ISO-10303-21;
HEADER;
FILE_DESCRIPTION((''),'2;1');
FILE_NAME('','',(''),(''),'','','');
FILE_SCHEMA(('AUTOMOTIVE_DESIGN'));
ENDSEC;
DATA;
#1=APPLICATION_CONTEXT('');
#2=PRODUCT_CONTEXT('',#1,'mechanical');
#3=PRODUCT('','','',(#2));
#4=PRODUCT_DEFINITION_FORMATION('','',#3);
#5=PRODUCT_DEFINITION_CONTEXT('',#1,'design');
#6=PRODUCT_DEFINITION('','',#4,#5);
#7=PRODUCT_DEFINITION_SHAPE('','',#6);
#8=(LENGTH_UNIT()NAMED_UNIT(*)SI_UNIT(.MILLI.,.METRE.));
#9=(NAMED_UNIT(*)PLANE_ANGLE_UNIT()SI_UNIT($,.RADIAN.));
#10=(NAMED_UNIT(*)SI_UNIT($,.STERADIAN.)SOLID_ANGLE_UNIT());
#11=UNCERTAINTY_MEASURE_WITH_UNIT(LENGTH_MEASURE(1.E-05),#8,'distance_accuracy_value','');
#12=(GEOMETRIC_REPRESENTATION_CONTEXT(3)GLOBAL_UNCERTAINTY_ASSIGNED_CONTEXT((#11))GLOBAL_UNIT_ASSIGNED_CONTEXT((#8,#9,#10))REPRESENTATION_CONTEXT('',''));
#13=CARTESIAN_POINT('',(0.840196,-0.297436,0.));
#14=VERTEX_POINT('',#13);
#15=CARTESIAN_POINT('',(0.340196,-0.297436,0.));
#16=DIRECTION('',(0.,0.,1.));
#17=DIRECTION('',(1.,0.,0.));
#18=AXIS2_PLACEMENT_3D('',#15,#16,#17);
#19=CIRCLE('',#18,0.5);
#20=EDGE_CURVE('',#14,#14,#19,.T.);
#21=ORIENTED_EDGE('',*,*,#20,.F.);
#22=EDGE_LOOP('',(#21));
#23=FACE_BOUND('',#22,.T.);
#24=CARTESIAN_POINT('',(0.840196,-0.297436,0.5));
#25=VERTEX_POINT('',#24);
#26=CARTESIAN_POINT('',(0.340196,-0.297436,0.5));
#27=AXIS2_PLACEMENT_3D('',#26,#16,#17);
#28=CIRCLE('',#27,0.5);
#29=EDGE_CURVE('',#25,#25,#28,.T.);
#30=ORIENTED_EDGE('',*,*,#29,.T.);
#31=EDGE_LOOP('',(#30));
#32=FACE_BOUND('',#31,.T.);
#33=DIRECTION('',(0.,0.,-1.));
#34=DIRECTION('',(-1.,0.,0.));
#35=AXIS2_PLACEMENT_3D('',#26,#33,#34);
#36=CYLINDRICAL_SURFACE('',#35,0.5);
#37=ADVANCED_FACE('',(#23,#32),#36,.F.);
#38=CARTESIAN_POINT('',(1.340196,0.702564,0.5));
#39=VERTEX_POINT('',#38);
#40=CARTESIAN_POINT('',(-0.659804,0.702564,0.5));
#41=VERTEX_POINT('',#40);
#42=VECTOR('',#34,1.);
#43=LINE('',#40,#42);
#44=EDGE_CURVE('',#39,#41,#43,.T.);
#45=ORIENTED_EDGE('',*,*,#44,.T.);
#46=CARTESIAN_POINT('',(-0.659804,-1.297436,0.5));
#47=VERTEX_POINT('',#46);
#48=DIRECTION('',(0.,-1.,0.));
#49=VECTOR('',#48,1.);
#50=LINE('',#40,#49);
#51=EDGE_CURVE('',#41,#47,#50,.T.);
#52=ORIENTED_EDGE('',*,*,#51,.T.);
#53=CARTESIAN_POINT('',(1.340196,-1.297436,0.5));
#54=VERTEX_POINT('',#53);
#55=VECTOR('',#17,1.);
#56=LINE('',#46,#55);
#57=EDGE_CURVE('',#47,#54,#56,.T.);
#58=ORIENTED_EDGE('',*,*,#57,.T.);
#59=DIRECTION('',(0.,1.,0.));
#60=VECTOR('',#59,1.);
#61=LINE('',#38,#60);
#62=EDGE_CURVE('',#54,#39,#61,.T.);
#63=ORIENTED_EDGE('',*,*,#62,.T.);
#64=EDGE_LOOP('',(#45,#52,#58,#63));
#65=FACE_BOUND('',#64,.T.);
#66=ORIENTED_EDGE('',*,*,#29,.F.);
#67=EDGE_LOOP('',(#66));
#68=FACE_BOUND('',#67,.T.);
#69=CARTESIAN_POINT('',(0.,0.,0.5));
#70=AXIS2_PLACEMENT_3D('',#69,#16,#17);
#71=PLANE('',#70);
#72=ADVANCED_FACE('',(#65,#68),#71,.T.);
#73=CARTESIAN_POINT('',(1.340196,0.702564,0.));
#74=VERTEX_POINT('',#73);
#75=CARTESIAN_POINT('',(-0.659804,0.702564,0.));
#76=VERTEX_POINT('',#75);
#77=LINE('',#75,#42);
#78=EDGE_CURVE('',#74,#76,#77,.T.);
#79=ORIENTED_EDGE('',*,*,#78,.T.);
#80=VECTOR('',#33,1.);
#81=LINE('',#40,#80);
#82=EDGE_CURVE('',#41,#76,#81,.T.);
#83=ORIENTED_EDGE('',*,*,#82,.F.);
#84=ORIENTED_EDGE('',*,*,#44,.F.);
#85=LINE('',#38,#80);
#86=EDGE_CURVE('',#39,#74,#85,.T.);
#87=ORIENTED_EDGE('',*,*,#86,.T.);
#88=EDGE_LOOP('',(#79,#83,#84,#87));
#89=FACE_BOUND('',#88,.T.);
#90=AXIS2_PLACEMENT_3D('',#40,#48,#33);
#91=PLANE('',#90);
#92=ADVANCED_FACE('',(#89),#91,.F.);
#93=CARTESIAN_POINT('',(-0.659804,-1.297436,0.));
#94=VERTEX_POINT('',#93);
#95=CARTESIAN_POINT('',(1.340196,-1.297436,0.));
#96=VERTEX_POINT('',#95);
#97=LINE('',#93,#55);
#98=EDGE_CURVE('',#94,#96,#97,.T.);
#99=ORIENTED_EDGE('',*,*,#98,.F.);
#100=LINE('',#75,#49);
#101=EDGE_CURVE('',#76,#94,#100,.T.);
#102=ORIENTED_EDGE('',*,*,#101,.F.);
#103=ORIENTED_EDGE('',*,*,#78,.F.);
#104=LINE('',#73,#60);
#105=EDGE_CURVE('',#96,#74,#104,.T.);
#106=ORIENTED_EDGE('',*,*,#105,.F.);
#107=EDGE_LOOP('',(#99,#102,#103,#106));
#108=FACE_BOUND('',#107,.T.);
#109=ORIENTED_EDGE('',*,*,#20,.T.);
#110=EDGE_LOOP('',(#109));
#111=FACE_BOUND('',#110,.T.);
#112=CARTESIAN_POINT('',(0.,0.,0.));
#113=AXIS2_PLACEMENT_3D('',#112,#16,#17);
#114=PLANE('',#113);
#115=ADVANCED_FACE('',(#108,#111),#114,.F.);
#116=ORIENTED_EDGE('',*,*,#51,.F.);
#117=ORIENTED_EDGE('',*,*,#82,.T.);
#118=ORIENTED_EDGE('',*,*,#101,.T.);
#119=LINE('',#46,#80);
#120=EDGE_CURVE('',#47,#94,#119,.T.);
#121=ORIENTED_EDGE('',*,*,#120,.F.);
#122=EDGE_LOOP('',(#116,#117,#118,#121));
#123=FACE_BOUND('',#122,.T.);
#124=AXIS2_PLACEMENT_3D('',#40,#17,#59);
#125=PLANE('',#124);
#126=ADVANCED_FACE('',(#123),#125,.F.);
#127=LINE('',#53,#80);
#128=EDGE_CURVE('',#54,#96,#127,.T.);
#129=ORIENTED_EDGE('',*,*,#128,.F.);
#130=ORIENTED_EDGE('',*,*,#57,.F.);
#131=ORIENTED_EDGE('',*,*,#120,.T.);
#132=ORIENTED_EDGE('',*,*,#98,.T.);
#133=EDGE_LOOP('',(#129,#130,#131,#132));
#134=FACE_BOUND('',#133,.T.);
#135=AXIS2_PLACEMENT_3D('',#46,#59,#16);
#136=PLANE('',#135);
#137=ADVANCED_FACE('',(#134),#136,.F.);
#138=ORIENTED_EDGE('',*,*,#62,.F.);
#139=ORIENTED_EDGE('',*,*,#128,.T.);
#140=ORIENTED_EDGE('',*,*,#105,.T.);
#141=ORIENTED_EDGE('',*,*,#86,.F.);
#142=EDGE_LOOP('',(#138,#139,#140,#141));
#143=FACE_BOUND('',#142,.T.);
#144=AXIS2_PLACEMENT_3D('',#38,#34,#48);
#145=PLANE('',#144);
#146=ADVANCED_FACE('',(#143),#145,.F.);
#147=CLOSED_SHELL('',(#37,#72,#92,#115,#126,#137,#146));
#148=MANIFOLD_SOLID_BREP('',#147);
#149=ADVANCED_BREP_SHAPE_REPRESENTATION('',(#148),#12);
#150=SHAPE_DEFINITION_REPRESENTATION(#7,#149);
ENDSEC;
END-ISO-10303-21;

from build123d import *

# Parameters (mm, degrees)
ESQUISSE1_W        = 2
ESQUISSE1_H        = 2
ESQUISSE1_R        = 0.5
BOSS_EXTRU_1_DEPTH = 0.5


with BuildPart() as part:
    # Esquisse1 → Boss.-Extru.1 (new body)
    with BuildSketch(Plane.XY):
        with Locations((0.340195859, -0.297435897)):
            Rectangle(ESQUISSE1_W, ESQUISSE1_H)
        with Locations((0.340195859, -0.297435897)):
            Circle(ESQUISSE1_R, mode=Mode.SUBTRACT)
    extrude(amount=BOSS_EXTRU_1_DEPTH)


solid = part.part
